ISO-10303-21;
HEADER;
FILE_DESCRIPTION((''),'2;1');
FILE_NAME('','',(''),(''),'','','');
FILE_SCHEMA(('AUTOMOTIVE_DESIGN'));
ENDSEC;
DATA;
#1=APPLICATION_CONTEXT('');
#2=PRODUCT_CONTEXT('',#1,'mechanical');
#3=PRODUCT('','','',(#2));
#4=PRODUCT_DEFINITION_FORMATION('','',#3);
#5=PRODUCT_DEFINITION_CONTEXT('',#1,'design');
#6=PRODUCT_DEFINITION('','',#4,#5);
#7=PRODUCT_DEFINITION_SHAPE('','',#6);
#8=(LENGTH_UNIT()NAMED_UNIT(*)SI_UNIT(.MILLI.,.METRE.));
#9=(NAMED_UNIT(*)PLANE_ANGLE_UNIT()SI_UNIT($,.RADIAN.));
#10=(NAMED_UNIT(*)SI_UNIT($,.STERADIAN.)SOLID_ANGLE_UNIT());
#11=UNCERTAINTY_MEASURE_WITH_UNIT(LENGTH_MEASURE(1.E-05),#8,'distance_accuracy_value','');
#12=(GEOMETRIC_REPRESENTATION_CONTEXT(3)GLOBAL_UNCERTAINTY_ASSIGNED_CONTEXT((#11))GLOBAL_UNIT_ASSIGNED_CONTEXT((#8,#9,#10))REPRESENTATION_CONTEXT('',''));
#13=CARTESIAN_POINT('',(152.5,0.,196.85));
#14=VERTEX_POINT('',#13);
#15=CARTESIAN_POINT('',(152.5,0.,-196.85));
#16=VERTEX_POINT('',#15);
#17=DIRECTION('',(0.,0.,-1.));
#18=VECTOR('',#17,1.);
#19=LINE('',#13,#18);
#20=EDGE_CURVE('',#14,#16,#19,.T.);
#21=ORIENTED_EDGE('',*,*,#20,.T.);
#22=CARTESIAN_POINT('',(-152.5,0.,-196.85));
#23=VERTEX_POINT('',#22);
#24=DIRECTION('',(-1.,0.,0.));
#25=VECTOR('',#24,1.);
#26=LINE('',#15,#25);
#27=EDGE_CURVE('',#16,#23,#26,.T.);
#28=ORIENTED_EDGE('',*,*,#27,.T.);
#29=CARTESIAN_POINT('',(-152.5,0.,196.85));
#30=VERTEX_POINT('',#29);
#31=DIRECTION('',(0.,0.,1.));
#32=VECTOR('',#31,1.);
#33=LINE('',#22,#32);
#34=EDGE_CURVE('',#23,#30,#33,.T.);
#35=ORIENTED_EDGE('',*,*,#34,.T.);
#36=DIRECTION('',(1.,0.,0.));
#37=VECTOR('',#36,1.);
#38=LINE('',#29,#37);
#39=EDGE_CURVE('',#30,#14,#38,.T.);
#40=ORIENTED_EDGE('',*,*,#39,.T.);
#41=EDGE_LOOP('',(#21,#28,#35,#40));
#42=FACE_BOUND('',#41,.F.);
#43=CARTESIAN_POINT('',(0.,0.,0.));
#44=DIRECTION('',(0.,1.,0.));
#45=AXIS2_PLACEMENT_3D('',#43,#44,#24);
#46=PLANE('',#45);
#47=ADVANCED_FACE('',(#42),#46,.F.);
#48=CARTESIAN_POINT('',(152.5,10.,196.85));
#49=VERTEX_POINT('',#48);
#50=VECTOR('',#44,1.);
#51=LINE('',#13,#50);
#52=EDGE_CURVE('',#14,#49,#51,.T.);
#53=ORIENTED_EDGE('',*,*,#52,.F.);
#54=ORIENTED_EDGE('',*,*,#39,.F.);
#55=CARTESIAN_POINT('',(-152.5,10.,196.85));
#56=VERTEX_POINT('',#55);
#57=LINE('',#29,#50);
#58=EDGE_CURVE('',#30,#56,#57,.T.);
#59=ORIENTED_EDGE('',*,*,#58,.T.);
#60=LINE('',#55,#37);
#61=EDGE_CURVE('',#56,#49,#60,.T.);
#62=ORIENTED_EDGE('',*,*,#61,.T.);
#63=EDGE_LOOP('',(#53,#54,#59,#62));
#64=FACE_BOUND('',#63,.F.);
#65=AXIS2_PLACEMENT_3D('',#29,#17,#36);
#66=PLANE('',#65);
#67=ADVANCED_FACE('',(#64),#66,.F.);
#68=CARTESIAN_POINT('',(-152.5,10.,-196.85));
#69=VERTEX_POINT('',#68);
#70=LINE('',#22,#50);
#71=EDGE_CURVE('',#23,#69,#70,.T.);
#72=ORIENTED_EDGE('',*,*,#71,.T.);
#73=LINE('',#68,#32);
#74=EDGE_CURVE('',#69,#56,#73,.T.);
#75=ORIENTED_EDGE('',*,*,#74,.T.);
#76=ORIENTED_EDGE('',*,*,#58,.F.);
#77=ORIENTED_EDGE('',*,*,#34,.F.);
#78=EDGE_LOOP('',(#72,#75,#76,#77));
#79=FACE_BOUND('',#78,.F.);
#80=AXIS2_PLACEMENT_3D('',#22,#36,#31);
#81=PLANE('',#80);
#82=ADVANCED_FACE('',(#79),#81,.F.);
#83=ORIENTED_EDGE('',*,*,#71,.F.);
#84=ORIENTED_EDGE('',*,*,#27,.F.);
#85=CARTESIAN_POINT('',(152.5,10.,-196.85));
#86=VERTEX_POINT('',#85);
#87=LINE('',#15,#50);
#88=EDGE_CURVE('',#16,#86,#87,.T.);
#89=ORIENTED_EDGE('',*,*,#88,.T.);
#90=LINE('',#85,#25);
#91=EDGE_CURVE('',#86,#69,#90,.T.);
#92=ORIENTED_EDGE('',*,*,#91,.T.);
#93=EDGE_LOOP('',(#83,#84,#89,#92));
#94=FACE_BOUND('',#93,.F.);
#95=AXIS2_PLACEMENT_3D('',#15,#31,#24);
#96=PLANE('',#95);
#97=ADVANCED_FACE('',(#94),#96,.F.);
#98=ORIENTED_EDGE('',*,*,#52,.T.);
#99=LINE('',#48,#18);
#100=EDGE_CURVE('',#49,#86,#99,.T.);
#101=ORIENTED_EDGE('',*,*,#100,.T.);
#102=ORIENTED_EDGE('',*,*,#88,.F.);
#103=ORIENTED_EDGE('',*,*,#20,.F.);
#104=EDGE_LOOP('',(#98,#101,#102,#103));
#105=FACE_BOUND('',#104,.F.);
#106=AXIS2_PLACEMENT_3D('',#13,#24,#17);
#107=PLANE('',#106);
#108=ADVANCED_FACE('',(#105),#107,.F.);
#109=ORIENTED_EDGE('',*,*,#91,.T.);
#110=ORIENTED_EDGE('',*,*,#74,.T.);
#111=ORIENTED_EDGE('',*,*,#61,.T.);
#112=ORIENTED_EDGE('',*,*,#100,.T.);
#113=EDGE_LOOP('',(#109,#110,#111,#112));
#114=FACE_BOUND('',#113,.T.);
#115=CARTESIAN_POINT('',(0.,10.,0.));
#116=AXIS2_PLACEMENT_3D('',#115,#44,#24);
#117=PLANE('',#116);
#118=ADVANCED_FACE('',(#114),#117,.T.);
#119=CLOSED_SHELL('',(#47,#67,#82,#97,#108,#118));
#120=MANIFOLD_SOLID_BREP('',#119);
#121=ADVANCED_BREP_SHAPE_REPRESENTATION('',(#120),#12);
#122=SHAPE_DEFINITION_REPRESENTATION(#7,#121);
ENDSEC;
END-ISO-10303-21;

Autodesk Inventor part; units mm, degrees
ref_plane "YZ Plane" through (0, 0, 0) normal (1, 0, 0) x (0, 1, 0)
ref_plane "XZ Plane" through (0, 0, 0) normal (0, 1, 0) x (-1, 0, 0)
ref_plane "XY Plane" through (0, 0, 0) normal (0, 0, 1) x (1, 0, 0)
sketch "Sketch1" plane through (0, 0, 0) normal (0, 1, 0) x (-1, 0, 0)
  line L0 (-152.5, -196.85) -> (152.5, -196.85)
  line L1 (152.5, -196.85) -> (152.5, 196.85)
  line L2 (152.5, 196.85) -> (-152.5, 196.85)
  line L3 (-152.5, 196.85) -> (-152.5, -196.85)
  line L4 (-152.5, -196.85) -> (152.5, 196.85) construction
  line L5 (152.5, -196.85) -> (-152.5, 196.85) construction
  point P0 (0, 0)
  dimension "d0" = 305
  dimension "d1" = 393.7
extrude "Extrusion1" add sketch "Sketch1" along normal blind 10
properties part number "Shelf"
